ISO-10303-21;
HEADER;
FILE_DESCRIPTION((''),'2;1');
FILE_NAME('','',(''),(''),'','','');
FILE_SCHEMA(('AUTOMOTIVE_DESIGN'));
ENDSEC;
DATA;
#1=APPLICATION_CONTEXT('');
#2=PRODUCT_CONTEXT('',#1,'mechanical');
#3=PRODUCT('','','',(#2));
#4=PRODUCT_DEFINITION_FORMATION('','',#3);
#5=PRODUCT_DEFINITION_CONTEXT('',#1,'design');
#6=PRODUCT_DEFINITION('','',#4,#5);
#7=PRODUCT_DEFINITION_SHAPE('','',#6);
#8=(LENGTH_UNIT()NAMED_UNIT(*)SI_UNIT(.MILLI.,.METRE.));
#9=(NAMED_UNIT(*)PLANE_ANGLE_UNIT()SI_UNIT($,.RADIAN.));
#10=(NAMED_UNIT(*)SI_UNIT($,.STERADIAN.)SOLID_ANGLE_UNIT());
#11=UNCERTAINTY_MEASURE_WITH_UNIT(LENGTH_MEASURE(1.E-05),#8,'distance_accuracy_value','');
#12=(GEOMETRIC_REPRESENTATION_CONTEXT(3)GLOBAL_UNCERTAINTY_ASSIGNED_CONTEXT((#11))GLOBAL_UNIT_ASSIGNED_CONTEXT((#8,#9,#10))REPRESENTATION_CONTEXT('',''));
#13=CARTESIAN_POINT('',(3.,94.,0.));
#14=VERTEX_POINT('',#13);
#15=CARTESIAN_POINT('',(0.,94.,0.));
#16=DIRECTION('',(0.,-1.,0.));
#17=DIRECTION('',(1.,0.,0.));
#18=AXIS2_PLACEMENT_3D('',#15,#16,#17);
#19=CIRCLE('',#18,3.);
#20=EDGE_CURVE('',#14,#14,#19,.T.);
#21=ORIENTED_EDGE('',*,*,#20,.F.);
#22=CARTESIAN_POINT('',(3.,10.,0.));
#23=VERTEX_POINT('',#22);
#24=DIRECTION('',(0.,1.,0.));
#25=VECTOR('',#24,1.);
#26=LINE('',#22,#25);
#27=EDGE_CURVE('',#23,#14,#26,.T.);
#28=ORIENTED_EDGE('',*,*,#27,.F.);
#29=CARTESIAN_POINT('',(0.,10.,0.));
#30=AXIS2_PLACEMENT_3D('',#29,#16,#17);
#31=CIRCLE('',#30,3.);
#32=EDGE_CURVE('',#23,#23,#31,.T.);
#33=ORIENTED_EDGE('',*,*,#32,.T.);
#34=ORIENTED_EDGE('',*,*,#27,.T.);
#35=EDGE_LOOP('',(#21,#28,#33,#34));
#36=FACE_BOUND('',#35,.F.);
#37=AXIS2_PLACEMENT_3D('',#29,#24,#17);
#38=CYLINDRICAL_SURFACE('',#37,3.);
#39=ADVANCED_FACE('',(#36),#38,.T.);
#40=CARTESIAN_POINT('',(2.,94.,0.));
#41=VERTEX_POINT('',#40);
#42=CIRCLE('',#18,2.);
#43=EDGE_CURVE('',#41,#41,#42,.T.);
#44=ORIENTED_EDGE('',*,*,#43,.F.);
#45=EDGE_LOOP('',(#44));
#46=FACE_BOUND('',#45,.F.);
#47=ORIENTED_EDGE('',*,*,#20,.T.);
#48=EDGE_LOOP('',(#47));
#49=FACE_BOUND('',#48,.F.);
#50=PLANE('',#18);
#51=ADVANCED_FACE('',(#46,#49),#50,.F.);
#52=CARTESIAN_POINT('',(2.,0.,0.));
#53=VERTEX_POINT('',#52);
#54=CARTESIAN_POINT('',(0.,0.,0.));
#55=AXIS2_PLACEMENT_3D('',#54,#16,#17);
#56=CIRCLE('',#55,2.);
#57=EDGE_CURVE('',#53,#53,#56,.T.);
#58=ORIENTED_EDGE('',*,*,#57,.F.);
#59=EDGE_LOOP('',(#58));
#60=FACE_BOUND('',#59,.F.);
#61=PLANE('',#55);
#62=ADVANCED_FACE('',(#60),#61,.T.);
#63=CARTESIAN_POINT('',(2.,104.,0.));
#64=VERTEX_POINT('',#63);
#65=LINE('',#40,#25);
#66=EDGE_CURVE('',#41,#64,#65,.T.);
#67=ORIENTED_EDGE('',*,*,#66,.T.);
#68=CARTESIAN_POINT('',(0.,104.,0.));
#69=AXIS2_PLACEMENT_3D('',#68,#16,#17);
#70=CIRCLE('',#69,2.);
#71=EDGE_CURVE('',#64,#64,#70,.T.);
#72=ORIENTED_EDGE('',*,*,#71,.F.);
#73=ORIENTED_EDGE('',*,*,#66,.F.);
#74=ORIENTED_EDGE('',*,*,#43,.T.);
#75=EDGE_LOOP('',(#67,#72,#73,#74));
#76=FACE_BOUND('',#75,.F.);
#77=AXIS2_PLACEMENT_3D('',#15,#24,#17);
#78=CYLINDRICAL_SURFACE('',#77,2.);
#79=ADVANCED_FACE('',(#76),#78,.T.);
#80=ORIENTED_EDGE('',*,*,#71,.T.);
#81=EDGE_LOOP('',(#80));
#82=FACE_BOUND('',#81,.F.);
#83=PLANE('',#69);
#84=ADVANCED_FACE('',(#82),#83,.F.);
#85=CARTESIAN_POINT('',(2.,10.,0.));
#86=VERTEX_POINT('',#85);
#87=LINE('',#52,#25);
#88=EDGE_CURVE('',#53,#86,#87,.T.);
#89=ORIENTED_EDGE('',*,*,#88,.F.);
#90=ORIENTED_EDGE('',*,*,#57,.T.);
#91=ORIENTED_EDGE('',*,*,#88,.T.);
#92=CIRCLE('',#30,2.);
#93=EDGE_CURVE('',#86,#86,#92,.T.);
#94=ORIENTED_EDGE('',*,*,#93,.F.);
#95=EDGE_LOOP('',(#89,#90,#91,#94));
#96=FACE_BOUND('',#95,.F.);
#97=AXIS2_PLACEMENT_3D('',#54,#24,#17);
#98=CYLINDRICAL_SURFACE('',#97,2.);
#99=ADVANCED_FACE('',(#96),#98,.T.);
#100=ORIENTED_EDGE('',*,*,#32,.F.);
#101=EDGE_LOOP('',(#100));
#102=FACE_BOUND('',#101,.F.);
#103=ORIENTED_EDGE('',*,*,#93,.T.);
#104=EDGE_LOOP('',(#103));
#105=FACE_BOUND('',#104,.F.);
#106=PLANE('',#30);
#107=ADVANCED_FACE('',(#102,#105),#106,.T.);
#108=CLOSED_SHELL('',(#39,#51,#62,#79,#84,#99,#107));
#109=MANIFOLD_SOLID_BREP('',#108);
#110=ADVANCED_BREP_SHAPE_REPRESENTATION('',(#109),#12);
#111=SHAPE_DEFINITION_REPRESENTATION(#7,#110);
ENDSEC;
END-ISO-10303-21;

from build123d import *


with BuildPart() as part:
    # Sketch1 → Revolve1 (revolve)
    with BuildSketch(Plane.XY):
        Polygon((0, 0), (2, 0), (2, 10), (3, 10), (3, 94), (2, 94), (2, 104), (0, 104), align=None)
    revolve(axis=Axis((0, 104, 0), (0, -1, 0)))


solid = part.part
